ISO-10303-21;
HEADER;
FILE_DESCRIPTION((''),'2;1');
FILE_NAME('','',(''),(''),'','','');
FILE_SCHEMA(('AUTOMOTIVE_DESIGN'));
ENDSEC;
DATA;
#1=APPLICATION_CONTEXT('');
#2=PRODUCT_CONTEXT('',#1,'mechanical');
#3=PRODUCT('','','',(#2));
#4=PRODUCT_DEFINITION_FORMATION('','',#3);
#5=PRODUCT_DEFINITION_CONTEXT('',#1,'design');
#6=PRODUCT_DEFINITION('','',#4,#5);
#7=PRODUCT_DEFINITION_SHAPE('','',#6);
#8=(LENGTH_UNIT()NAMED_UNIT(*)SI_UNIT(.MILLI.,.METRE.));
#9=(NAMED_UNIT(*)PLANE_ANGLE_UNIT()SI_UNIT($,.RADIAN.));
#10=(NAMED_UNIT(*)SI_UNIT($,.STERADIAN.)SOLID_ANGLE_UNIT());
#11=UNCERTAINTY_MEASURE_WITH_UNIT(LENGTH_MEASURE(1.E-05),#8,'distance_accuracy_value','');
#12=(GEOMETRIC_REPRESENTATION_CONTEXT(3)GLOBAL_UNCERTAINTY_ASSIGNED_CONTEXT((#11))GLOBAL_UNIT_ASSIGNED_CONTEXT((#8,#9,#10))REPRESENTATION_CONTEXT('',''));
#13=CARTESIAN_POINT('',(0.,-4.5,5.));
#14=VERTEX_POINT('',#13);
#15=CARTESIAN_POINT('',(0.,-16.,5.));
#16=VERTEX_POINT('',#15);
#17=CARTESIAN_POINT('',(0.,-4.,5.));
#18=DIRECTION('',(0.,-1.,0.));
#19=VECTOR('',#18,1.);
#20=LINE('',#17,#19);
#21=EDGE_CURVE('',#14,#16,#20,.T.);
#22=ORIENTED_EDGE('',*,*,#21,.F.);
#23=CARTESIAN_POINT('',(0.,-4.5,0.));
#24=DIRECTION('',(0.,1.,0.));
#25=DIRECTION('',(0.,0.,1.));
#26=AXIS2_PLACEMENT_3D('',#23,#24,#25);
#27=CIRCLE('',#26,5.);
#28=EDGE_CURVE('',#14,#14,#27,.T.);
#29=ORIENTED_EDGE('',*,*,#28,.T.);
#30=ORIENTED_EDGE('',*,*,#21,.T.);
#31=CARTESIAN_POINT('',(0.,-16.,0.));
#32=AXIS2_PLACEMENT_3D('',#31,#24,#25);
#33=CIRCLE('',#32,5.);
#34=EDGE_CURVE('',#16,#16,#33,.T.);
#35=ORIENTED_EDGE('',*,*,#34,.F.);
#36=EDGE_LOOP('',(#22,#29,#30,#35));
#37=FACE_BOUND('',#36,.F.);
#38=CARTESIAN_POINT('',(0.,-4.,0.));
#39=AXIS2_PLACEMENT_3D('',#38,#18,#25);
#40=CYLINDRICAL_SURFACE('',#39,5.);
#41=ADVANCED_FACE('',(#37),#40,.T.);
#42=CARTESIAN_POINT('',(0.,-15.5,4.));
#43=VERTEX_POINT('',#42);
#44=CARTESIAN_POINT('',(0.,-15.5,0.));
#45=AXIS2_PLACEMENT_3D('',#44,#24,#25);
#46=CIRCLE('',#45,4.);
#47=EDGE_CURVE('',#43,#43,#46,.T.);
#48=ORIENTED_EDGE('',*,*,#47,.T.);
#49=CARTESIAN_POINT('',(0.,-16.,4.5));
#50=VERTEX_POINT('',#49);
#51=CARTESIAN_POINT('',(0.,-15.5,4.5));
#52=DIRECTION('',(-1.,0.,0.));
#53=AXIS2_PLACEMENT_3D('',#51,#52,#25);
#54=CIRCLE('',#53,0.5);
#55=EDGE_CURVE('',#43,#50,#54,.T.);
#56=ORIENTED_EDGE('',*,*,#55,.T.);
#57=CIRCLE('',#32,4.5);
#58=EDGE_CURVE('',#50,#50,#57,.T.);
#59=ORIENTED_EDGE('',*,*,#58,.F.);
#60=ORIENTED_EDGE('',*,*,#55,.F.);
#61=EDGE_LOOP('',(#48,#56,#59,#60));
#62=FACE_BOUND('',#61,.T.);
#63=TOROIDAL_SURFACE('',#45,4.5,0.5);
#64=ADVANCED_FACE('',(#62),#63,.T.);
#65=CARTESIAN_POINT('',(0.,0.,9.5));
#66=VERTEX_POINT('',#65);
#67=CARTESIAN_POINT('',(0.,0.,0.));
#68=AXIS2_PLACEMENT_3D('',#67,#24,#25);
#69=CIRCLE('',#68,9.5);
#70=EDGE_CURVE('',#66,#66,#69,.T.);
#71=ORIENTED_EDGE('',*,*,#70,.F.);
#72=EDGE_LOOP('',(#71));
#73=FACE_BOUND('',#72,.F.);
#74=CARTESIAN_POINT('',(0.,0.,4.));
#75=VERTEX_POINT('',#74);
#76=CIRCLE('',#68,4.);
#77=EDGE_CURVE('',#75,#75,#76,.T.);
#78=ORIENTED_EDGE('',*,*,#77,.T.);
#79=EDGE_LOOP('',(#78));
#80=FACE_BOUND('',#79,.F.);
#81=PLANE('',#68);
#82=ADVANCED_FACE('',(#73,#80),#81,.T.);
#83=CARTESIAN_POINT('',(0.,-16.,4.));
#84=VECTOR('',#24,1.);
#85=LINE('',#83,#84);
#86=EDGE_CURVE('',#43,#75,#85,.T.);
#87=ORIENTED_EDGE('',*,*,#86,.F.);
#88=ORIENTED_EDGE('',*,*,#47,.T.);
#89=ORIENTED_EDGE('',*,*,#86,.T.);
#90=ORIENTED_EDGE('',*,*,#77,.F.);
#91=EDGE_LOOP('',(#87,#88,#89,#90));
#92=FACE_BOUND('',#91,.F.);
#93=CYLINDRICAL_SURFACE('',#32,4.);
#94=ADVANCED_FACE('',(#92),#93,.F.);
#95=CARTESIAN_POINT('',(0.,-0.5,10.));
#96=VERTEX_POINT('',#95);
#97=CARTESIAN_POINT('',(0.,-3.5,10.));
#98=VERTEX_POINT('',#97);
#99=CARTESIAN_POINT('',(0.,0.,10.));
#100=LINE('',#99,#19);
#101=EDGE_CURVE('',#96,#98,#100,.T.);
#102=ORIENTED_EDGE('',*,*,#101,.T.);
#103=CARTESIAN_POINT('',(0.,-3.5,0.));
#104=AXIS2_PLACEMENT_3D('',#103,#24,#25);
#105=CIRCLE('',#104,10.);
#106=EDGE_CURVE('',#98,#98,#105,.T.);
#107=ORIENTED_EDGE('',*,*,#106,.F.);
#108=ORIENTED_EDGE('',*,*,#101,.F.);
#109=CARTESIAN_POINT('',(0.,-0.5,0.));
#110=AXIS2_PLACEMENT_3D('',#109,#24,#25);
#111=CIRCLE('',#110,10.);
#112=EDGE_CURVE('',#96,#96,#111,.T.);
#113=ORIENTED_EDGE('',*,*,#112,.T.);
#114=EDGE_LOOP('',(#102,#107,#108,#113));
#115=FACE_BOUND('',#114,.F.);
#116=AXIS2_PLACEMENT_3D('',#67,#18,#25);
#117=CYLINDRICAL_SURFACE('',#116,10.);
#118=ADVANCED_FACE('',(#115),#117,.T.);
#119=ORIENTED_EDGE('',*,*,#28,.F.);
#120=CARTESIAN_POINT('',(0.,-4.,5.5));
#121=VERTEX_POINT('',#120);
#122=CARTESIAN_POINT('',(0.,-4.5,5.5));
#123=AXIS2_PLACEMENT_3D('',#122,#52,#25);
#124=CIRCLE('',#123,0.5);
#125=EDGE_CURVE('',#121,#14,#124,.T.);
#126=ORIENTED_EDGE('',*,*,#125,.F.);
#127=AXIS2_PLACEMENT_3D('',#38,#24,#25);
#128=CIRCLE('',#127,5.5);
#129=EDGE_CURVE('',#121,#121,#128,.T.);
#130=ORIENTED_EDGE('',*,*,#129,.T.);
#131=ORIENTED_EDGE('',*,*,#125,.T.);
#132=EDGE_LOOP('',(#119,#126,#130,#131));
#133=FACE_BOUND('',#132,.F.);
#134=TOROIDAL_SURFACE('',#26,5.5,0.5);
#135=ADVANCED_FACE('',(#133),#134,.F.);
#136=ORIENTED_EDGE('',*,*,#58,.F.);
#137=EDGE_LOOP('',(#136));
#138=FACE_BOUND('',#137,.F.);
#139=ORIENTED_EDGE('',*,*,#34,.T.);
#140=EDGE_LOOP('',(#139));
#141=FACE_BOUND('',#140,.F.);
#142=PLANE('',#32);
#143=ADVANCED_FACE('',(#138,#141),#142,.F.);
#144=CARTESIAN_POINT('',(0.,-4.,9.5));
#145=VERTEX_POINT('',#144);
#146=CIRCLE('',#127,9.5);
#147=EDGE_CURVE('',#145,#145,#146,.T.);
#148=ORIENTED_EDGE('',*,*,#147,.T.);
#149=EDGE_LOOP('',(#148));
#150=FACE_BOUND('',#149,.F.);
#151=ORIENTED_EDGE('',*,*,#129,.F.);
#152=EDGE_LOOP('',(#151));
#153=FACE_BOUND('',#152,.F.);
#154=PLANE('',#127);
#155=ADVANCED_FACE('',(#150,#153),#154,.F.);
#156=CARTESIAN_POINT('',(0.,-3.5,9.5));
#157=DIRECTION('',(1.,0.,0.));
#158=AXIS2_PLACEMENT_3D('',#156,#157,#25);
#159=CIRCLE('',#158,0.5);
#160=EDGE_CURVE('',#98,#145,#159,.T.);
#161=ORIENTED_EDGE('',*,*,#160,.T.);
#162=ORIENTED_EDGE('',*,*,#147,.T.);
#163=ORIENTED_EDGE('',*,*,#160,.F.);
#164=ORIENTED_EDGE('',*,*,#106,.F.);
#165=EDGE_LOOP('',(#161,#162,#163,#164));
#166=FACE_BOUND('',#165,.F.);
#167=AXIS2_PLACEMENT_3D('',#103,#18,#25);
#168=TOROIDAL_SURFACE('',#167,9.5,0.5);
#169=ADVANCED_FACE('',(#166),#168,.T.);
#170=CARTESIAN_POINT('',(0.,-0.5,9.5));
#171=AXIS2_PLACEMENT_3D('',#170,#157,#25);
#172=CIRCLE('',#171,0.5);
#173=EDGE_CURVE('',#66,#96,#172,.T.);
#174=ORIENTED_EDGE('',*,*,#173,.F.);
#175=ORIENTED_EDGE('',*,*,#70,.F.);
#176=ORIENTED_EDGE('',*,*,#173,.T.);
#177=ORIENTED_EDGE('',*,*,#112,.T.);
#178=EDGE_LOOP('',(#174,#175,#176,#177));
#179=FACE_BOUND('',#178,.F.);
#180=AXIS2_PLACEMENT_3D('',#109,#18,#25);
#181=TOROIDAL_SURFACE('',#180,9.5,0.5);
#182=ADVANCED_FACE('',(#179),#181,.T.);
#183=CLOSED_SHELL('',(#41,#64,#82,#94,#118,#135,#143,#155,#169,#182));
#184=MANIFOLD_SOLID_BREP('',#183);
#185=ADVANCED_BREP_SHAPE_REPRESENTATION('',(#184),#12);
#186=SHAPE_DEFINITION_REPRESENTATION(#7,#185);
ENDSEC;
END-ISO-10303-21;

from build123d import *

# Parameters (mm, degrees)
F2_R = 0.5


with BuildPart() as f1:
    # F0 (on Right) → F1 (revolve)
    with BuildSketch(Plane.YZ):
        Polygon((-16, 4), (0, 4), (0, 10), (-4, 10), (-4, 5), (-16, 5), align=None)
    revolve(axis=Axis((0, 0, 0), (0, 1, 0)))

    # F2
    f2_edges = [f1.edges().sort_by_distance(p)[0] for p in [
        (0, -16, -4),
        (0, -4, -5),
        (0, -4, -10),
        (0, 0, -10),
    ]]
    fillet(f2_edges, radius=F2_R)


solid = f1.part
